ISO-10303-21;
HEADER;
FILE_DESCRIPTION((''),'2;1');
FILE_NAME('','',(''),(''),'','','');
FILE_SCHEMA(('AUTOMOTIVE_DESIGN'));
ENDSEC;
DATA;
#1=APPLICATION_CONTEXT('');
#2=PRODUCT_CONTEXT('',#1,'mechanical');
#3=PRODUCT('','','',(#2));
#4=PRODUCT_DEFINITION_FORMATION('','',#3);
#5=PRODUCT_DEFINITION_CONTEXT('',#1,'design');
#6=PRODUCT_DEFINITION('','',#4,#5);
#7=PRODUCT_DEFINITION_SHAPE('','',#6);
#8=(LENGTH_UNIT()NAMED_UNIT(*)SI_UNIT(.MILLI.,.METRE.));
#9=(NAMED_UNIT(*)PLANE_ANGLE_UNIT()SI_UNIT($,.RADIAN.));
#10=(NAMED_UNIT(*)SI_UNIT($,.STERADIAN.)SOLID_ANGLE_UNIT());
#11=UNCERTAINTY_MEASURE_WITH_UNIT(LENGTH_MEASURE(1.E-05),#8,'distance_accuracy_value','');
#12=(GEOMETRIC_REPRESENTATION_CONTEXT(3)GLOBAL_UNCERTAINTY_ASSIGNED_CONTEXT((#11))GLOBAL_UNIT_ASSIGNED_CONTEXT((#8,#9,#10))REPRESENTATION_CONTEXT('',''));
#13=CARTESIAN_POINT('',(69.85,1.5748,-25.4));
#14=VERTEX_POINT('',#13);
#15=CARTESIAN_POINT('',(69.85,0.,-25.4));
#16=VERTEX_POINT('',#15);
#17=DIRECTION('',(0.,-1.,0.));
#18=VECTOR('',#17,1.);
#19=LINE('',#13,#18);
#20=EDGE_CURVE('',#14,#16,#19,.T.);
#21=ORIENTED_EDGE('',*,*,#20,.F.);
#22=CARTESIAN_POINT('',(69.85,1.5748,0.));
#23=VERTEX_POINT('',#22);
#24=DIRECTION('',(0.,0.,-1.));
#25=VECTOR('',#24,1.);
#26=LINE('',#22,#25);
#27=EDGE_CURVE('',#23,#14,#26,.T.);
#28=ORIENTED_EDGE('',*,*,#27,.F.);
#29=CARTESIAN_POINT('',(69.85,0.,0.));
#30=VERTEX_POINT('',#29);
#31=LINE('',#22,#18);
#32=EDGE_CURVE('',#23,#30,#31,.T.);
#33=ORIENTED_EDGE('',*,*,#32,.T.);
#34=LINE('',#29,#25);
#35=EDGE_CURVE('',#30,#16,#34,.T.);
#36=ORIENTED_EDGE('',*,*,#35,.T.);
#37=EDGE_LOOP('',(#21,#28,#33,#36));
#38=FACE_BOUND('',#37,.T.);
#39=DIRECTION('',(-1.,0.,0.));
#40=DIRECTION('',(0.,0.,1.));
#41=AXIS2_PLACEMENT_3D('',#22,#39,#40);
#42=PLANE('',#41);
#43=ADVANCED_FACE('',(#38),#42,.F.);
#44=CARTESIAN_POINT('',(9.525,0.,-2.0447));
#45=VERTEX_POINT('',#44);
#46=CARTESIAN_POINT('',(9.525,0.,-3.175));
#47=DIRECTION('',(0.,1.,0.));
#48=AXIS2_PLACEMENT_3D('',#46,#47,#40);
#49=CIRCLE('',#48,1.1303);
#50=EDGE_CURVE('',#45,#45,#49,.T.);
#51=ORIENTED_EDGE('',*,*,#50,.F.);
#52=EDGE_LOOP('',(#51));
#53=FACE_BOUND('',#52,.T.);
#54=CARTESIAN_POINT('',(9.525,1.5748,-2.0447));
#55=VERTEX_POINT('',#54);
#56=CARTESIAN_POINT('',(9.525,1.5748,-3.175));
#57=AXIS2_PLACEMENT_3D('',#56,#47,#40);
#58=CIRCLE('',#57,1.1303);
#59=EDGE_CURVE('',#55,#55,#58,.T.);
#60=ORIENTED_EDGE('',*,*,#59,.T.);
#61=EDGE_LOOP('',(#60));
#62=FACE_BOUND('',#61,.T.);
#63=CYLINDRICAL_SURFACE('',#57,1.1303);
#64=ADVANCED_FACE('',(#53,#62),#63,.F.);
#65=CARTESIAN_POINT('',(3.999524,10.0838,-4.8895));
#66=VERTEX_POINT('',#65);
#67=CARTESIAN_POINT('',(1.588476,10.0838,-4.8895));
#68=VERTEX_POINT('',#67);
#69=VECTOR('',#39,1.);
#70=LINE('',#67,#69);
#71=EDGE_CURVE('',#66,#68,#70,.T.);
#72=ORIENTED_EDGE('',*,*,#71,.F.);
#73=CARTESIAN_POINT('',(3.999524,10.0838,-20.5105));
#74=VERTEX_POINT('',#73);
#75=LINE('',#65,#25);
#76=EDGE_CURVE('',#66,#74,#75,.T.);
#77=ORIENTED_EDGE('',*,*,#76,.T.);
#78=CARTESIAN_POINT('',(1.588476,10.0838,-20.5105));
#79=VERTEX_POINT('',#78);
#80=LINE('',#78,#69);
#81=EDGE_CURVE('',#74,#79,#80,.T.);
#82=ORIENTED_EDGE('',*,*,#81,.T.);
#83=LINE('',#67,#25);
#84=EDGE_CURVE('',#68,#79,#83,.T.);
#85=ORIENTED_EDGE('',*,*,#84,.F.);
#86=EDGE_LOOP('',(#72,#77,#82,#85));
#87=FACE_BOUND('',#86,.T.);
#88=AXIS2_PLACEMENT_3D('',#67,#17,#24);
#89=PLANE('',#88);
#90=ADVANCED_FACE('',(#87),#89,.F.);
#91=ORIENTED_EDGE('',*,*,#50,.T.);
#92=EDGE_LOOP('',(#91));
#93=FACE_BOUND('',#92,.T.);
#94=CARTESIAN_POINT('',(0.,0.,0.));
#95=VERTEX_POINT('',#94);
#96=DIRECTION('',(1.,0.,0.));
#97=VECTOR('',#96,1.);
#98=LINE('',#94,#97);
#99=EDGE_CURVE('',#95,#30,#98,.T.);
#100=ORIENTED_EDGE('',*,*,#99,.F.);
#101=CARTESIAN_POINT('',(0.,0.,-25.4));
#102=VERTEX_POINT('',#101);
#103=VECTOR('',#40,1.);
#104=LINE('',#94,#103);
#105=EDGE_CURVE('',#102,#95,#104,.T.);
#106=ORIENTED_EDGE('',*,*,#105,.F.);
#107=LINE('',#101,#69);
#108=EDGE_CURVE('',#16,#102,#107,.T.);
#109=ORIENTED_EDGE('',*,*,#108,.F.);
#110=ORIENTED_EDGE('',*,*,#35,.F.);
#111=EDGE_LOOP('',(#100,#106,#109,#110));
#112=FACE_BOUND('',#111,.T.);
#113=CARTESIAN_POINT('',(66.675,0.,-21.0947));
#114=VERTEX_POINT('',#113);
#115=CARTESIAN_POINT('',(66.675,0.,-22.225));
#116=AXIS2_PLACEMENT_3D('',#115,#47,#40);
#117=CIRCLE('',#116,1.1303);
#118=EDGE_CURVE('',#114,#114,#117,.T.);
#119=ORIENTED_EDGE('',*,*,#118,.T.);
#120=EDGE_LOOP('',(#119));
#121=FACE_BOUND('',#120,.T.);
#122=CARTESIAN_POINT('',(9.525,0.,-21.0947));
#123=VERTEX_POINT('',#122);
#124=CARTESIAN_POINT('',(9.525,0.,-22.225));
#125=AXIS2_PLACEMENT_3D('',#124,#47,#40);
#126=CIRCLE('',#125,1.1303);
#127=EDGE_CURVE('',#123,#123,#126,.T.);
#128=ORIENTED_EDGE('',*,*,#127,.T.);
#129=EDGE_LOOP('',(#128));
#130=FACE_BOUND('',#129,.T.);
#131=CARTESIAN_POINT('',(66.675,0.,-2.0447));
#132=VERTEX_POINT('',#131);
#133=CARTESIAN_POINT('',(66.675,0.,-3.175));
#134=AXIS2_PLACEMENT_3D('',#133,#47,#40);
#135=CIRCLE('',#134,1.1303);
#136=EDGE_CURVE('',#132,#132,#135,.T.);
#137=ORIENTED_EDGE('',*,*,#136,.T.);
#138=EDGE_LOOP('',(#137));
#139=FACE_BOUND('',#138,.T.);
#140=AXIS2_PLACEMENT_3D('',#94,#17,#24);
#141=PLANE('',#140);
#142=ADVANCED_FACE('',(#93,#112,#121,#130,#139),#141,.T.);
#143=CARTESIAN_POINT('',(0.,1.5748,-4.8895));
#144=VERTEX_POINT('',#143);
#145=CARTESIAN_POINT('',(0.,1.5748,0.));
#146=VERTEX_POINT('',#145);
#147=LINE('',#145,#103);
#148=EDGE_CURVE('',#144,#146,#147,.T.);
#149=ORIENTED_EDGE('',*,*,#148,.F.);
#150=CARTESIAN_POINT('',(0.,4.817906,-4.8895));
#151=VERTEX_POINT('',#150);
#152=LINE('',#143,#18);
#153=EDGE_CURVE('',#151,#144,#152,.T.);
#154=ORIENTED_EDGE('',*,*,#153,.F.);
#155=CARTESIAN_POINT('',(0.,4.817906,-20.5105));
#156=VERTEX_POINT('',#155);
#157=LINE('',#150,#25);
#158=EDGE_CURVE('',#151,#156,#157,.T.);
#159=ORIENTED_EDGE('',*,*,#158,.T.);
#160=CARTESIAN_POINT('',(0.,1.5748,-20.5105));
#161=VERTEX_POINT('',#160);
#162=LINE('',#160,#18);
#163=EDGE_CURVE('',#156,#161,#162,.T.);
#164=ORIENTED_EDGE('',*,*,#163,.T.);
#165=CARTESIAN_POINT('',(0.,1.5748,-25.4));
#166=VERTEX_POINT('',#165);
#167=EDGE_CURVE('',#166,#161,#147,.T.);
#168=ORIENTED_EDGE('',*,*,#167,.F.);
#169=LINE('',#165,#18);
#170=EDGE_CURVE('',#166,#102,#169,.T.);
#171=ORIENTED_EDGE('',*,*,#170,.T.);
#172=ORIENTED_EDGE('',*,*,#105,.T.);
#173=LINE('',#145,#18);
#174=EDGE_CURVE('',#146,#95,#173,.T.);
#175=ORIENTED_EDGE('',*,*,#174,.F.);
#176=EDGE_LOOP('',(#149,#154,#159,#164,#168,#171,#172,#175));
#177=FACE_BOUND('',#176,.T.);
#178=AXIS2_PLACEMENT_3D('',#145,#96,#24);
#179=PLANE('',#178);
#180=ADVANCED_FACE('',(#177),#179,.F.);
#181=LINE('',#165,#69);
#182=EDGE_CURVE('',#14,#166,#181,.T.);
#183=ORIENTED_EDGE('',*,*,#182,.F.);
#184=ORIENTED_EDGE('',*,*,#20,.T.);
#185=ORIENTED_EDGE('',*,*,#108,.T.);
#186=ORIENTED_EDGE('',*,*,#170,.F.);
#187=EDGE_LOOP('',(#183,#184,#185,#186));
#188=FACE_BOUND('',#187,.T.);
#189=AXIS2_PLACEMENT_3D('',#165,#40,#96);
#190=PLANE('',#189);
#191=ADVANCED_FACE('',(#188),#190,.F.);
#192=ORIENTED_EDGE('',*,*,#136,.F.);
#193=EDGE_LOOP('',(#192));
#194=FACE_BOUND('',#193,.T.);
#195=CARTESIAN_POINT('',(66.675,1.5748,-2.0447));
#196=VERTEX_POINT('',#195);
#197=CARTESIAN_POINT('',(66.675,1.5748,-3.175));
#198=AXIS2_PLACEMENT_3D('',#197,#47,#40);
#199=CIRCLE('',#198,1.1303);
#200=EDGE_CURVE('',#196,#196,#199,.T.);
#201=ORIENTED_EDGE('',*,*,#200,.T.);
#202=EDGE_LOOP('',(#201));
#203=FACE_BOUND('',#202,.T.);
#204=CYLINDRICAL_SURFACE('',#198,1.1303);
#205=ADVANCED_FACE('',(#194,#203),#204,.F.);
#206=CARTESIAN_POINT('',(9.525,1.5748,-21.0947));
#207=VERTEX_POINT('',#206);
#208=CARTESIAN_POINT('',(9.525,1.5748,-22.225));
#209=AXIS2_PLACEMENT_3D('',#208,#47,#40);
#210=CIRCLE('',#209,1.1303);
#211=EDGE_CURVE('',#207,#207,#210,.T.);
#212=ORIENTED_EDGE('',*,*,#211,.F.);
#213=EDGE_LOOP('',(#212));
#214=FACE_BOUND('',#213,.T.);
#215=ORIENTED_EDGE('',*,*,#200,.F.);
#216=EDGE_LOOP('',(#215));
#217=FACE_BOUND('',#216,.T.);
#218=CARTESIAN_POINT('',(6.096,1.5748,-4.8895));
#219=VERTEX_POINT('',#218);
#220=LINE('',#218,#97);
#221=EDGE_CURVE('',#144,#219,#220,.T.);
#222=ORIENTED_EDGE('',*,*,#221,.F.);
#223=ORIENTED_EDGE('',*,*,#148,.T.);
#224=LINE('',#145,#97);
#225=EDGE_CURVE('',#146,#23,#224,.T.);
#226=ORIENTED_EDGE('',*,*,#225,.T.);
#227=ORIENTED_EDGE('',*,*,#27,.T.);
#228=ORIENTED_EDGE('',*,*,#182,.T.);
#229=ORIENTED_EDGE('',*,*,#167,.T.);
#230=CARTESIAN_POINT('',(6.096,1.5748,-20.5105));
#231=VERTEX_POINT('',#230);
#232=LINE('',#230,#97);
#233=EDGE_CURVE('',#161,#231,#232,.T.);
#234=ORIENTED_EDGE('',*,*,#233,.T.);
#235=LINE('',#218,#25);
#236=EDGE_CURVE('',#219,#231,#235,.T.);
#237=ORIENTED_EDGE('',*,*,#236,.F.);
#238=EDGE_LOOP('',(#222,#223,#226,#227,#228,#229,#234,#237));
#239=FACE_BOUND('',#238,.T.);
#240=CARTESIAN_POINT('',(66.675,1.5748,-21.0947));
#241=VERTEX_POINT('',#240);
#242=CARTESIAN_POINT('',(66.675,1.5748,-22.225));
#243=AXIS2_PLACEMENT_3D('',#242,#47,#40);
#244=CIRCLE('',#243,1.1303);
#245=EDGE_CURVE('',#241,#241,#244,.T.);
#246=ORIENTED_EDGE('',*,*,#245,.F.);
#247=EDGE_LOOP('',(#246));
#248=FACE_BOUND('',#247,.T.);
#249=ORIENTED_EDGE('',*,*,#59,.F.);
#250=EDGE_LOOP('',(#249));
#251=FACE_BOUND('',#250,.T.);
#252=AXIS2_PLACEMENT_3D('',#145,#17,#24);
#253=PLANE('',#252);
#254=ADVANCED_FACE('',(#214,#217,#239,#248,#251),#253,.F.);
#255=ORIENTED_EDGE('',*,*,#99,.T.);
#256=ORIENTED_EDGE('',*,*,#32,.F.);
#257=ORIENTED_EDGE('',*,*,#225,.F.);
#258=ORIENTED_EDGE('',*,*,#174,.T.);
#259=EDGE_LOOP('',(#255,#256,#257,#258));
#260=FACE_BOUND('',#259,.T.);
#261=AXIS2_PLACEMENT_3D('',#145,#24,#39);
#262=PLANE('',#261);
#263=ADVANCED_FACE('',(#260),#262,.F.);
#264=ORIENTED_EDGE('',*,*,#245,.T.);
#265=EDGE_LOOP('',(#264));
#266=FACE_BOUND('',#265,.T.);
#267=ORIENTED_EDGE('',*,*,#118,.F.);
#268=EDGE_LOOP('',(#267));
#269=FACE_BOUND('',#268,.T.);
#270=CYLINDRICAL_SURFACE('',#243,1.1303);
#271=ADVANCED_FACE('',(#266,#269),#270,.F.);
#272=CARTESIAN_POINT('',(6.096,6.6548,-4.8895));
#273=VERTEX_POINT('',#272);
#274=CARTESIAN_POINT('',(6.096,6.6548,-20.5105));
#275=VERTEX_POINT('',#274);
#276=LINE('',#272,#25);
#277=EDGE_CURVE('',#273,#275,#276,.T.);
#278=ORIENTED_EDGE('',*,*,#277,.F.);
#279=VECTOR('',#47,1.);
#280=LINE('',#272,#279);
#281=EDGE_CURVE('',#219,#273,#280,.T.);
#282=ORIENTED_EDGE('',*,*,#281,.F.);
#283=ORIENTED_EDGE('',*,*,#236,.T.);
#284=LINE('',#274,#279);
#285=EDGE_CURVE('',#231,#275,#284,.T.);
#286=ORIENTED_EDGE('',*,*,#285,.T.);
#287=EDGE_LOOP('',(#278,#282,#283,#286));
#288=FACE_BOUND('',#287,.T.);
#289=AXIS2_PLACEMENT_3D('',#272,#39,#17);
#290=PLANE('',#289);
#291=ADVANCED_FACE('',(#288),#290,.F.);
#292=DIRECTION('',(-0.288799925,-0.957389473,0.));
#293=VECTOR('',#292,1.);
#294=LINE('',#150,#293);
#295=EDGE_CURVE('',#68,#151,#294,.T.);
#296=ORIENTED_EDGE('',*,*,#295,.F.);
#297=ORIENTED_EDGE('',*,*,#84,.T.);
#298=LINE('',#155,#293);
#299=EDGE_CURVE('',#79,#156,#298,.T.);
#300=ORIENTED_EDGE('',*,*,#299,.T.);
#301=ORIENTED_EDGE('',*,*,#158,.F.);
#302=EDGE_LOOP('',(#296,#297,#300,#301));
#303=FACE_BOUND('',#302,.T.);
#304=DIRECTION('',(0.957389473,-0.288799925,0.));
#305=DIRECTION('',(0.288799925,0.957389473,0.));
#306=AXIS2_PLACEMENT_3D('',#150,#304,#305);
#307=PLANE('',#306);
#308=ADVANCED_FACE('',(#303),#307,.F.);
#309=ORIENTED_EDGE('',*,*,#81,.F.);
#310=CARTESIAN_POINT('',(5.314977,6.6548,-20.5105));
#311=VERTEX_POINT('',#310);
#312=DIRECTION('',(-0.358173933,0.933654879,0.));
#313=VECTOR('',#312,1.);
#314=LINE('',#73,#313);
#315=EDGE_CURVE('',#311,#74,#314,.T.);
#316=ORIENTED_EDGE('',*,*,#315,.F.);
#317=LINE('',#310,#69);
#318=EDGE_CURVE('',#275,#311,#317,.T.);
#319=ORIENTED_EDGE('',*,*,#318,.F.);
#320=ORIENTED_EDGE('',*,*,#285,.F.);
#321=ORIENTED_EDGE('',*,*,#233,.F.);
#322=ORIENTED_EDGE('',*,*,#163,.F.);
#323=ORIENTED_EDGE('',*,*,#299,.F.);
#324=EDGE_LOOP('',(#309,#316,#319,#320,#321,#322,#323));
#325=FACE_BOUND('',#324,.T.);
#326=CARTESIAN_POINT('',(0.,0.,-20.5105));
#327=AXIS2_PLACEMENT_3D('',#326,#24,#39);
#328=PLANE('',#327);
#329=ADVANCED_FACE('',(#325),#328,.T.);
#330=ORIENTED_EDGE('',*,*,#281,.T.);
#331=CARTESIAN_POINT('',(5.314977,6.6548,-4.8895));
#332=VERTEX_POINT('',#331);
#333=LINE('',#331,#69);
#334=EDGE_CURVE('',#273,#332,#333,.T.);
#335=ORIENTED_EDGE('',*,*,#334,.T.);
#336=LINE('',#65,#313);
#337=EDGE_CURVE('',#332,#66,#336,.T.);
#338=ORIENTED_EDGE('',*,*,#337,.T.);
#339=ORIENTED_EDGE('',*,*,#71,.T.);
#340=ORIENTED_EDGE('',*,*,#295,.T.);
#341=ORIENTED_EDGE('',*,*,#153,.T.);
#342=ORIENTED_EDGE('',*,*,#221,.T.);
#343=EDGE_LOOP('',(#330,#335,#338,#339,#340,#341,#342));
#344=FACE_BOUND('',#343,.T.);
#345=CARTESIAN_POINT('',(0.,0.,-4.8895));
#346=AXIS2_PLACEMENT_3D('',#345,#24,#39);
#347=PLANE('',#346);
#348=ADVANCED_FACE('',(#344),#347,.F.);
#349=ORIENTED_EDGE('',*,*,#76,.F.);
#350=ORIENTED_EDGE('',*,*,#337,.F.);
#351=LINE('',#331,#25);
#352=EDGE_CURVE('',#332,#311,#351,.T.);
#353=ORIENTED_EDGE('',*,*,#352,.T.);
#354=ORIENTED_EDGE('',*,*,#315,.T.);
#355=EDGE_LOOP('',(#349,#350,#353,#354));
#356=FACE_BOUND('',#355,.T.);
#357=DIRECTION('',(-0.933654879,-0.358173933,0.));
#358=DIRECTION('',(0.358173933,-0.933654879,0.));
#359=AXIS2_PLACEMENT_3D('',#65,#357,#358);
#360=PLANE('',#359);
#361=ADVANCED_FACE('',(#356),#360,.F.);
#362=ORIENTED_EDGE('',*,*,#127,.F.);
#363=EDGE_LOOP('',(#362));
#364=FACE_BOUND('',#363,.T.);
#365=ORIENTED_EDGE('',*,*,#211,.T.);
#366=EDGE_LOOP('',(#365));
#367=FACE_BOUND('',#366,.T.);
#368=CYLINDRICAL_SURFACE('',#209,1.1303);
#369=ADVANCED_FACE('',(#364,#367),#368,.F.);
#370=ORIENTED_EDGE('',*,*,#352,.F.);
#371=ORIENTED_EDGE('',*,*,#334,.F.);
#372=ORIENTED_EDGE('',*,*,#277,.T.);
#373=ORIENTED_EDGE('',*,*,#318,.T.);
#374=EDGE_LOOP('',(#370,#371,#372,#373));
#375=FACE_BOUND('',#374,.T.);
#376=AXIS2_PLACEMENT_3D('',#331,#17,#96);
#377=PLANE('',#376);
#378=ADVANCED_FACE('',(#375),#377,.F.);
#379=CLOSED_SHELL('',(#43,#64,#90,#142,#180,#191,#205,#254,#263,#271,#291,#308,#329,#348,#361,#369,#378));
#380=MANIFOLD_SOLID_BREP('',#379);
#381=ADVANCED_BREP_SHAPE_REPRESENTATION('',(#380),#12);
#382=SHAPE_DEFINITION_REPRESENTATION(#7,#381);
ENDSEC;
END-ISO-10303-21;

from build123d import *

# Parameters (mm, degrees)
SKETCH2_W                 = 69.85
SKETCH2_H                 = 25.4
BOSS_EXTRUDE1_DEPTH       = 1.5748
TAP_DRILL_FOR_4_40_TAP1_D = 2.2606
BOSS_EXTRUDE2_DEPTH       = 7.8105


with BuildPart() as part:
    # Sketch2 → Boss-Extrude1 (new body)
    with BuildSketch(Plane(origin=(0, 0, 0), x_dir=(1, 0, 0), z_dir=(0, 1, 0))):
        with Locations((34.925, 12.7)):
            Rectangle(SKETCH2_W, SKETCH2_H)
    extrude(amount=BOSS_EXTRUDE1_DEPTH)

    # Tap Drill for #4-40 Tap1 (through all)
    with Locations(Plane(origin=(9.525, 1.5748, -22.225), x_dir=(0, 0, 1), z_dir=(0, 1, 0))):
        with Locations((0, 0), (19.05, 0), (19.05, 57.15), (0, 57.15)):
            Hole(TAP_DRILL_FOR_4_40_TAP1_D / 2)

    # Sketch4 → Boss-Extrude2 (add, symmetric)
    with BuildSketch(Plane.XY.offset(-12.7)):
        Polygon((0, 1.5748), (0, 4.817906029), (1.588475565, 10.0838), (3.999524435, 10.0838), (5.314976691, 6.6548), (6.096, 6.6548), (6.096, 1.5748), align=None)
    extrude(amount=BOSS_EXTRUDE2_DEPTH, both=True)


solid = part.part
